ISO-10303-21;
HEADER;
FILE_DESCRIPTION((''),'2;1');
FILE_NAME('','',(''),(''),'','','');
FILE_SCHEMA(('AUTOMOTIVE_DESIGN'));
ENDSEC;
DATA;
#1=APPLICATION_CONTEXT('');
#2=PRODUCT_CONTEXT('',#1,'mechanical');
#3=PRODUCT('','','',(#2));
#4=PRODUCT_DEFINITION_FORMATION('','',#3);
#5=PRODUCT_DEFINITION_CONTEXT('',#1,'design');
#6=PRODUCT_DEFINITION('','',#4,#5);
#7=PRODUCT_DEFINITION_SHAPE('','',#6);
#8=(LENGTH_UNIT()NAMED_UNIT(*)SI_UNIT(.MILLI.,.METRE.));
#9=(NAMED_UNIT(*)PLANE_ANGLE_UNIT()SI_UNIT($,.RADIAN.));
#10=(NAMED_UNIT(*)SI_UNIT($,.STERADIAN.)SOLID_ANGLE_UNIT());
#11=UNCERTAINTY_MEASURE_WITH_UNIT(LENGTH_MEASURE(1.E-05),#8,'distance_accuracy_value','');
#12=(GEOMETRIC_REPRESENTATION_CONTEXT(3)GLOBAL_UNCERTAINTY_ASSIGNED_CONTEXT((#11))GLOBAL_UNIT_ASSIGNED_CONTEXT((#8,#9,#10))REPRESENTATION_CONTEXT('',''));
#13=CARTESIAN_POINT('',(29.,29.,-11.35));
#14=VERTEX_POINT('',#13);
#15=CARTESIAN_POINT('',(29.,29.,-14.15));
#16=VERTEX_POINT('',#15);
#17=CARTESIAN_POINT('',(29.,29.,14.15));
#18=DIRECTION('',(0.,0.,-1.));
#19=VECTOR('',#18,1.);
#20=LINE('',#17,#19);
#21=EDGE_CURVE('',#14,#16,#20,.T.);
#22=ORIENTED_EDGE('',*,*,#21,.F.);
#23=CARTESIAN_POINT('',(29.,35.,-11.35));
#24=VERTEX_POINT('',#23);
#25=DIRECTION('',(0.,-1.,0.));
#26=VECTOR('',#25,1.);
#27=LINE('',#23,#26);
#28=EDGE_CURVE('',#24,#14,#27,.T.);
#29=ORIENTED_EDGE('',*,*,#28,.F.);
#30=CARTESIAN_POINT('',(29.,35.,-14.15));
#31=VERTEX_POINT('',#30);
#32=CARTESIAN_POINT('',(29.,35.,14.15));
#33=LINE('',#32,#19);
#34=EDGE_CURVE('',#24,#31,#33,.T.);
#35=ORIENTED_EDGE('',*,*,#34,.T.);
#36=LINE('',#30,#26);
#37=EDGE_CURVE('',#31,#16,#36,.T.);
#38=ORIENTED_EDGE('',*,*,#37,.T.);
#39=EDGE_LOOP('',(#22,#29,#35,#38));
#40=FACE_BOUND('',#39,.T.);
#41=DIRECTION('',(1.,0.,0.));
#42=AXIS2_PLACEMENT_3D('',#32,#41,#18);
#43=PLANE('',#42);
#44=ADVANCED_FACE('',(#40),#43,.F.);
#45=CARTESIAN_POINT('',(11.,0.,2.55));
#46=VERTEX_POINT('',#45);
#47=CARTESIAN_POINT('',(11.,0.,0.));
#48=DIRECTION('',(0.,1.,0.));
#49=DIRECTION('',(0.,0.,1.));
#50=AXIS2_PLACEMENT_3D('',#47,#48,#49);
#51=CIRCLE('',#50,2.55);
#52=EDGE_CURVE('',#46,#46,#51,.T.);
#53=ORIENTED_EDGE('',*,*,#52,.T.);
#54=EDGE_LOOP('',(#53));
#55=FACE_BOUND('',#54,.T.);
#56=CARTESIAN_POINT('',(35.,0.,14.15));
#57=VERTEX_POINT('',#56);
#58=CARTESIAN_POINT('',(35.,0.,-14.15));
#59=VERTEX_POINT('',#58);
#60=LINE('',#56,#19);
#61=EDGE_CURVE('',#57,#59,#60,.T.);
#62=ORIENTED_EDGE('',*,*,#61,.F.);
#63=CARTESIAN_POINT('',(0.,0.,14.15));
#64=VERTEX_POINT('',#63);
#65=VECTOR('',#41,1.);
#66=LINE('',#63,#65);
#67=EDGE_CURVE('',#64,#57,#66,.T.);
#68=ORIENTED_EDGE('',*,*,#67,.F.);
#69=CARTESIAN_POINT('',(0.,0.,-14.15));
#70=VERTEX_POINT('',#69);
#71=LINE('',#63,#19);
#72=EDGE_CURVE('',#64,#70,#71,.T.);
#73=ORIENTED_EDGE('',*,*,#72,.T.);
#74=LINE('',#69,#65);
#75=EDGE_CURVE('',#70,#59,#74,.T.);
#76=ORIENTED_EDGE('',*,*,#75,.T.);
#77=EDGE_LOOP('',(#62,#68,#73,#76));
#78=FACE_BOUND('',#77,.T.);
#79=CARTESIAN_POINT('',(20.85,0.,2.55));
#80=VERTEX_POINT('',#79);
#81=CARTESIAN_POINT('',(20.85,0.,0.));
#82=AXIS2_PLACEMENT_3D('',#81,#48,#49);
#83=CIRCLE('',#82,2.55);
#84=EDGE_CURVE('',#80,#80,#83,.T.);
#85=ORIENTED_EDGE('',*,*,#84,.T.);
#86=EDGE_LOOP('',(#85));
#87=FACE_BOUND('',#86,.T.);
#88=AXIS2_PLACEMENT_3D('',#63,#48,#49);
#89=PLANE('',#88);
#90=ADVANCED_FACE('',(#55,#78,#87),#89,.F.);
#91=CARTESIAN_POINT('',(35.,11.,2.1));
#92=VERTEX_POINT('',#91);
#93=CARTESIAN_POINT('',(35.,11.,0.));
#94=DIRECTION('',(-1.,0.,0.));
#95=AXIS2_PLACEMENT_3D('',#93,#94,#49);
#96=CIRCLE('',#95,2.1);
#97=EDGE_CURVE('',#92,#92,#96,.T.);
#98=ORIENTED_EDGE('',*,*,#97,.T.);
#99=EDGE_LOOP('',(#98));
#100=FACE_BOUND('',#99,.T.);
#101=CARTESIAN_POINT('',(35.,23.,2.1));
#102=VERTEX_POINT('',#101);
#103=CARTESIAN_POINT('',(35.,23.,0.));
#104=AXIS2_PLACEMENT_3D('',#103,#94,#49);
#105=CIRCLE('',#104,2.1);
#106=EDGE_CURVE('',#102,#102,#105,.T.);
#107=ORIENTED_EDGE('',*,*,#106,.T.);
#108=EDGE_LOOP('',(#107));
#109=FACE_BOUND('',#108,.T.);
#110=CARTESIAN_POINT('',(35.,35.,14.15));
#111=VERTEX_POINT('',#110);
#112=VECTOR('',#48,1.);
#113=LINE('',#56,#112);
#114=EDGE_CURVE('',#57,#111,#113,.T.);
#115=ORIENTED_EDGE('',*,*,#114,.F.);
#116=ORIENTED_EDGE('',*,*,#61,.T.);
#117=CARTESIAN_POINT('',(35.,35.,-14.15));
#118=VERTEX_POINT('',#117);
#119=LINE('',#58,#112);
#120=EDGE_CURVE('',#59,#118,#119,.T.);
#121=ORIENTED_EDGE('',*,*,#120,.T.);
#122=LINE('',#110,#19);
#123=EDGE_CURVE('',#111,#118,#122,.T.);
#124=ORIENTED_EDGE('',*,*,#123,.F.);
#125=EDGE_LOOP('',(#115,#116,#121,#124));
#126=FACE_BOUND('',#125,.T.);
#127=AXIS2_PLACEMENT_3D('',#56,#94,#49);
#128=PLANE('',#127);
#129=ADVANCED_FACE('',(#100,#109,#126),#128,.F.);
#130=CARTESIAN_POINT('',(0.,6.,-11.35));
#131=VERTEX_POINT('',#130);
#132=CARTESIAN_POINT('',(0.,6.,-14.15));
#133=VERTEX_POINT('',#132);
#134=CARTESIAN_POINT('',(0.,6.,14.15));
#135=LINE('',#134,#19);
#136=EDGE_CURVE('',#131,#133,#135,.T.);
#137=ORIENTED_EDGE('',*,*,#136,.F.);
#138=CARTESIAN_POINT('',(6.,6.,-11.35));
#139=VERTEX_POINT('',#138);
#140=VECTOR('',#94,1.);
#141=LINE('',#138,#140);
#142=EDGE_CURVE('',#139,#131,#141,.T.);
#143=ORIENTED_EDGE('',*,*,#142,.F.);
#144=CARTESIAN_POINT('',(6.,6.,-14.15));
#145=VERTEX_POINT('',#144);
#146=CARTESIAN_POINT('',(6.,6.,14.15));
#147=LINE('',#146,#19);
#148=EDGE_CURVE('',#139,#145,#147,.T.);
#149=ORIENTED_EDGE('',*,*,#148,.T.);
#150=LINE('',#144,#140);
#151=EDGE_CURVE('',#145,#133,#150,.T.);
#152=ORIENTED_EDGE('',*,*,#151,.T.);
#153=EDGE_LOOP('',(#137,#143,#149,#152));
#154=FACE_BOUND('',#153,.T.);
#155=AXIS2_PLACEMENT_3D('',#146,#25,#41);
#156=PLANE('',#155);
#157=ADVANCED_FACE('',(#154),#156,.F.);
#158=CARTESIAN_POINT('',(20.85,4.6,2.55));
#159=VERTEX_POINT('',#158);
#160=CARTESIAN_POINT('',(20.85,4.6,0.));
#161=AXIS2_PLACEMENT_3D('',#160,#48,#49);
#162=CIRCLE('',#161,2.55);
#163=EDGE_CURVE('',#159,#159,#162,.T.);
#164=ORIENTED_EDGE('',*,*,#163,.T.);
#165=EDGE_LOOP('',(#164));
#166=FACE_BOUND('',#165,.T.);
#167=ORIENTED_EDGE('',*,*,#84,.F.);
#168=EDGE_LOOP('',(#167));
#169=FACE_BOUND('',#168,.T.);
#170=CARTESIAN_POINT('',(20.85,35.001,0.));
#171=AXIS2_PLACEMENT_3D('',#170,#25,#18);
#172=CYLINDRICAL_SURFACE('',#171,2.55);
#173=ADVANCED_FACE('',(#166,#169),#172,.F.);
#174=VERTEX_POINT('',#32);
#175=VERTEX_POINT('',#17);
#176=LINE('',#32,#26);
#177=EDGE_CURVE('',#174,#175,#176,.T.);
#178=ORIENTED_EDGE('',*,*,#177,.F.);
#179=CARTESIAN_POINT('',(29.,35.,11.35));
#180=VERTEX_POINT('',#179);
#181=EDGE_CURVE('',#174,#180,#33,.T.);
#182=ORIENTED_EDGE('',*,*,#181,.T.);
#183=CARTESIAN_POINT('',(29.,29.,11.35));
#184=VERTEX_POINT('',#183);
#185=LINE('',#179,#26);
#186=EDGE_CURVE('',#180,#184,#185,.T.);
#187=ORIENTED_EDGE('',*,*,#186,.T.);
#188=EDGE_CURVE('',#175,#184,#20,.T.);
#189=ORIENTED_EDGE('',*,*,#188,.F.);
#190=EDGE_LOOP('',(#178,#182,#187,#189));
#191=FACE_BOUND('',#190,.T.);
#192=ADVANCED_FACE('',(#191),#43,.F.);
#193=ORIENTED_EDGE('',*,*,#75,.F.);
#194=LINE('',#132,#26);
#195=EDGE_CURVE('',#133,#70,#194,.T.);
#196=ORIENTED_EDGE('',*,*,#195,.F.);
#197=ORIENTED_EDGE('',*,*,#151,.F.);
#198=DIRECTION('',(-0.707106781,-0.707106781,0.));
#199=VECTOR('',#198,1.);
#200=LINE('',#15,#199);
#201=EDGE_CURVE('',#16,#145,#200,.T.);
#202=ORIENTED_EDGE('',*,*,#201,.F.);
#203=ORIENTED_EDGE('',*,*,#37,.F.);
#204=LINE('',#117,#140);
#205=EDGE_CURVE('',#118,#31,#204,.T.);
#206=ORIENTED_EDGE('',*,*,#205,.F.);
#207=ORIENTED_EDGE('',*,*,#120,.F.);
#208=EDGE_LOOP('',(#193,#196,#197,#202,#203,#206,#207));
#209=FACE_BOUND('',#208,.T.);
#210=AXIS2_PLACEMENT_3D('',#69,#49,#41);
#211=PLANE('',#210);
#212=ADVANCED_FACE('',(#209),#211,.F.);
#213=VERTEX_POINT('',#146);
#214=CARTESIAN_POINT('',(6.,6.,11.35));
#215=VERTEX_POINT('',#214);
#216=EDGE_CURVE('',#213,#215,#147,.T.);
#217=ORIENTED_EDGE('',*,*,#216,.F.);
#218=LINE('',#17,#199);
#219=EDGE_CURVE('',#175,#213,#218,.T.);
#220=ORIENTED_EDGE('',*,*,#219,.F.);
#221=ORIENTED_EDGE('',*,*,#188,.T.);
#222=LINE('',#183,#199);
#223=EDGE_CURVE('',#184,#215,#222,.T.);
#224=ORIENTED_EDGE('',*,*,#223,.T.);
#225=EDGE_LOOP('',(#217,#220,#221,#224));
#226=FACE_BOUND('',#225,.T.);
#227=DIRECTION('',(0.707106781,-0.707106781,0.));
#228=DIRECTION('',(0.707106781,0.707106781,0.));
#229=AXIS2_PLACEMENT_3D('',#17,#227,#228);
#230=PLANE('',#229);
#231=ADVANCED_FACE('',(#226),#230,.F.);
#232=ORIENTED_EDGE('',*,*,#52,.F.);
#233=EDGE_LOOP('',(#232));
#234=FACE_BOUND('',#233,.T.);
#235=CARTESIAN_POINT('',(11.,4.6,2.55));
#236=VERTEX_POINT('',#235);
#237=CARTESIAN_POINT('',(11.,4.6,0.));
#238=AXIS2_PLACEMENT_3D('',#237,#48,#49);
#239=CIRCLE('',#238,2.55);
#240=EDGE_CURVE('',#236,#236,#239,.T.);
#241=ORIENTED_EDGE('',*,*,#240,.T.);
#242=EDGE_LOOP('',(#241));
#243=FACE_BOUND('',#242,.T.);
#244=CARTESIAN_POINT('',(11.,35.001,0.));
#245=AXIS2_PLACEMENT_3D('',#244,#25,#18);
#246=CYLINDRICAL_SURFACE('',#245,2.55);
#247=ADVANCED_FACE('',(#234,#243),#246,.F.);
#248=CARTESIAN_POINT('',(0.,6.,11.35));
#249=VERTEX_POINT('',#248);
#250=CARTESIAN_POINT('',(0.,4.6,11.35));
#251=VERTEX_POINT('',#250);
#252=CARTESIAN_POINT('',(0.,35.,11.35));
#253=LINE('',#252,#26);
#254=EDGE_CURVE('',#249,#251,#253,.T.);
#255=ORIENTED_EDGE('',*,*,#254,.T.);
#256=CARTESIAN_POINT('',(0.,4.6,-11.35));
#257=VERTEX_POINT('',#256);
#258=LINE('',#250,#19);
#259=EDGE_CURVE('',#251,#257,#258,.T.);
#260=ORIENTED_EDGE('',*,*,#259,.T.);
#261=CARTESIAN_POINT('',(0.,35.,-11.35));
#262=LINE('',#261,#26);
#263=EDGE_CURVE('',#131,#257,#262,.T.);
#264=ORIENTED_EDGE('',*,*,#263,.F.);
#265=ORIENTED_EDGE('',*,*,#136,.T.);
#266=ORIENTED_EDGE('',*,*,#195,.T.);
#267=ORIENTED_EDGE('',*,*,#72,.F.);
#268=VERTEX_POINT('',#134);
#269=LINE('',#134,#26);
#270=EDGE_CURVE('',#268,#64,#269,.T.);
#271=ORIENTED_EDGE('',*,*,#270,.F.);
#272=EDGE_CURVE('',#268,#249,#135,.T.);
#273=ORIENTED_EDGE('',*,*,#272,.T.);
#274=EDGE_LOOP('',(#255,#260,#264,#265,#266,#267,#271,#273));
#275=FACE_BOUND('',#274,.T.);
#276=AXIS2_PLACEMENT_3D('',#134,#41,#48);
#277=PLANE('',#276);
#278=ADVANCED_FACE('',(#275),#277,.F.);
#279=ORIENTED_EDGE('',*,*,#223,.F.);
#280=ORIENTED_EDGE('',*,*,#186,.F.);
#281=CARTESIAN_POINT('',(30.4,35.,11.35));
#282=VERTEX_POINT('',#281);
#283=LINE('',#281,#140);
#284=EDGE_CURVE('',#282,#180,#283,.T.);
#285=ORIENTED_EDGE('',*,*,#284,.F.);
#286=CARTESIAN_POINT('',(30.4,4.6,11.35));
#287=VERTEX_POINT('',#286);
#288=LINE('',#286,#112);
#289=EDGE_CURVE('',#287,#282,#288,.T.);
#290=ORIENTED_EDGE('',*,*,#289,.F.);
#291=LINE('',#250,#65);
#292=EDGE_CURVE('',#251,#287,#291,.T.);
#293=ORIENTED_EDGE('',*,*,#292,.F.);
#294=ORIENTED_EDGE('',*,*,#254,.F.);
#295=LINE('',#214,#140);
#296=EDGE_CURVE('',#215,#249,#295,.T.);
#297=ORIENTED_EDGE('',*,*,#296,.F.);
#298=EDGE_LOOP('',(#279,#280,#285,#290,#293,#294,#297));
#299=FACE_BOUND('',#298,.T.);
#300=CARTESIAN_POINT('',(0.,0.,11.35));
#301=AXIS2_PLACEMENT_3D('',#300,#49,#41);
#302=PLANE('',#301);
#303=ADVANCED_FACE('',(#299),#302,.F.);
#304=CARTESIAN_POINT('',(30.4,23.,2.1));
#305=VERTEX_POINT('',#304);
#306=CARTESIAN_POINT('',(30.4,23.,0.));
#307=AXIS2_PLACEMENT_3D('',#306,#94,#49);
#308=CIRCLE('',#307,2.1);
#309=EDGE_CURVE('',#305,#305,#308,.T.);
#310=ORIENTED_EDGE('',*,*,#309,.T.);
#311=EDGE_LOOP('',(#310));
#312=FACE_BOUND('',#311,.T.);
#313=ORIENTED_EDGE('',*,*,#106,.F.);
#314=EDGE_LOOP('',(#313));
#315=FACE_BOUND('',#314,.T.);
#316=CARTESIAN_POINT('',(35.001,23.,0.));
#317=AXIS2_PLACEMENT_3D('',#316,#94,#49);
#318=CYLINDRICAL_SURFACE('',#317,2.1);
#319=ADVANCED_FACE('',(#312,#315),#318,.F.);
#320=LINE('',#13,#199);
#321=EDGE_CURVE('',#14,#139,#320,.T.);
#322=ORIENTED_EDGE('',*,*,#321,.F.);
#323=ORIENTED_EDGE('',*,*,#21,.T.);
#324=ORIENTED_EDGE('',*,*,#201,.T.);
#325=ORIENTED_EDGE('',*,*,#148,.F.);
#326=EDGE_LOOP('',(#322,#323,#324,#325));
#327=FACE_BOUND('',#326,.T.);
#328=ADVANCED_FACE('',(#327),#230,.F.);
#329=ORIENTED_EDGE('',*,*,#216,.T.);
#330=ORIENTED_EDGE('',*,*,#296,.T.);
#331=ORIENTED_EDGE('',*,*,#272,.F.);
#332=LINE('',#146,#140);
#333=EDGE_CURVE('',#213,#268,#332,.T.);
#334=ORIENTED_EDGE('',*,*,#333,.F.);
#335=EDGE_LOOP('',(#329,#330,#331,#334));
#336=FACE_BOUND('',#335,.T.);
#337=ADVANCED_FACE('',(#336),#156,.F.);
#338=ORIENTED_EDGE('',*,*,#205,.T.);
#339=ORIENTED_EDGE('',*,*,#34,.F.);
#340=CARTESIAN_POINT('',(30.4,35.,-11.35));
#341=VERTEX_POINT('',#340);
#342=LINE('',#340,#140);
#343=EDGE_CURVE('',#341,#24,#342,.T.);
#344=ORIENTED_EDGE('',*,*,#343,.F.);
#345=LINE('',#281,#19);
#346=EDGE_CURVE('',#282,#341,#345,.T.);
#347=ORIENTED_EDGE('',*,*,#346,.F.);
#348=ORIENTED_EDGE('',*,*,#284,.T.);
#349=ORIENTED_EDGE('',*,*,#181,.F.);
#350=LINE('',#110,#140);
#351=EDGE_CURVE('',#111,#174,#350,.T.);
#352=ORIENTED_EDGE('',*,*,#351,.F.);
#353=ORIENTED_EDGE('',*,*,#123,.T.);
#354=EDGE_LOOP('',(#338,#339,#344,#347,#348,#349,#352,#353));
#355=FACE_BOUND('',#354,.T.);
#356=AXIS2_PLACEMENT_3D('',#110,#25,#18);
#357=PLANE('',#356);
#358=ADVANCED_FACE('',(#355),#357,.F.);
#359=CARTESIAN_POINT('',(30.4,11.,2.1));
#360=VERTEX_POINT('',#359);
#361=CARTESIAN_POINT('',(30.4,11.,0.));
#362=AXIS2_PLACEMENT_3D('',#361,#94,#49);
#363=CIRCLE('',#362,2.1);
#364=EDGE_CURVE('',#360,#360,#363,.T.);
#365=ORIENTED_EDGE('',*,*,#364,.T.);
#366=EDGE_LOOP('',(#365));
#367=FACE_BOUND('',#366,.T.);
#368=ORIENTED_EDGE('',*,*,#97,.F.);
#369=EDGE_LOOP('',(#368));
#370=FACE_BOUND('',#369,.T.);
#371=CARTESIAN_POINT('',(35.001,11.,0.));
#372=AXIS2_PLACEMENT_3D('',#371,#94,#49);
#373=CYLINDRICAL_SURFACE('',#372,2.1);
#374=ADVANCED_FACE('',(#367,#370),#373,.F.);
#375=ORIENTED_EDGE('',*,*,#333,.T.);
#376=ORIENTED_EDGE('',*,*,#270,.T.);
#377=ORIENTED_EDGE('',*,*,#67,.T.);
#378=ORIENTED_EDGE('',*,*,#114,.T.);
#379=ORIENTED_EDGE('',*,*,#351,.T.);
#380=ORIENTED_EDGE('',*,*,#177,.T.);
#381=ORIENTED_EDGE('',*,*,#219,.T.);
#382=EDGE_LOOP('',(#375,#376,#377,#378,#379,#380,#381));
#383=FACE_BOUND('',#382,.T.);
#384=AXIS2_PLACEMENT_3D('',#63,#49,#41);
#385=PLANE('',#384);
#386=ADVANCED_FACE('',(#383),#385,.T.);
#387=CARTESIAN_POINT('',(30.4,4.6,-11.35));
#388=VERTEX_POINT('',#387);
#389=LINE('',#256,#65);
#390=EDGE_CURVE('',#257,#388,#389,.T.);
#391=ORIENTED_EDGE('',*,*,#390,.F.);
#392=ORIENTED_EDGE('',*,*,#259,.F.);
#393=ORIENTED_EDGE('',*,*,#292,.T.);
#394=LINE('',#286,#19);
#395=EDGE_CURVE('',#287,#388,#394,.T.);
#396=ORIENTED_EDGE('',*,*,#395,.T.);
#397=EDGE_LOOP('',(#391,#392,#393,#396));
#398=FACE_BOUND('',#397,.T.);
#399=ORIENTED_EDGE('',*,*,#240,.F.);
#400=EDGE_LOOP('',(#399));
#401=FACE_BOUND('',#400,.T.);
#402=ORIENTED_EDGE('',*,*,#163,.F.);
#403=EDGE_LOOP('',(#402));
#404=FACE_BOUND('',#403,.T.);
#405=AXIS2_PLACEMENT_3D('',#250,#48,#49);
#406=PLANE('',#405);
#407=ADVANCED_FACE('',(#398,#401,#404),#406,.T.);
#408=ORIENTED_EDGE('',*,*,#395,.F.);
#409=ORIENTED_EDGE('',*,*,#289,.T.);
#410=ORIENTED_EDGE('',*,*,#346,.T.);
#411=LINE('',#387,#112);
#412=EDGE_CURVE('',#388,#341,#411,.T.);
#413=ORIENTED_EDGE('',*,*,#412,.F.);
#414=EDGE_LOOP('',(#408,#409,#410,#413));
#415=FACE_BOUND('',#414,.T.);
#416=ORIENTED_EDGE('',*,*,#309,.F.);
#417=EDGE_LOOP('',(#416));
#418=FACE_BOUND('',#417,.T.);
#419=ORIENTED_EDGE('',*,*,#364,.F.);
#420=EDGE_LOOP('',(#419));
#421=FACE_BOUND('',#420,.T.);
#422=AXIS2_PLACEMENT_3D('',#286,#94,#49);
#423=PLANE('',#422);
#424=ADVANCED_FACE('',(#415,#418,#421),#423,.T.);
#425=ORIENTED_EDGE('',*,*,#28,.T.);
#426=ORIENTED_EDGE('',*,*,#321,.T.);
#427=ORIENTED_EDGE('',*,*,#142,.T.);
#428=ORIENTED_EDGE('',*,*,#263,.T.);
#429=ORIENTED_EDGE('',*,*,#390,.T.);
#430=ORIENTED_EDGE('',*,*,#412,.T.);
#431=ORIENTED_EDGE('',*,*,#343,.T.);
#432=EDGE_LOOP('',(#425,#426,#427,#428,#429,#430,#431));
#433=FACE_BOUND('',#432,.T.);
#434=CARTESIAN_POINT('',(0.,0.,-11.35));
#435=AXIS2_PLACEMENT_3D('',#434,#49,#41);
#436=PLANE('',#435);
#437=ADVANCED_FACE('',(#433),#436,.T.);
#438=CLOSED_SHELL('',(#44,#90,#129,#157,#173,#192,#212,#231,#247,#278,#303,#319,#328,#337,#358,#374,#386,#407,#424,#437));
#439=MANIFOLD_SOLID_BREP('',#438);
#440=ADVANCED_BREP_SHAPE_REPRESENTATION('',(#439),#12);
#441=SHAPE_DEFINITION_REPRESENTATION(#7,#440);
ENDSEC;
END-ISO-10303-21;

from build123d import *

# Parameters (mm, degrees)
EXTRUDE_1_DEPTH     = 14.15
SKETCH_2_W          = 30.4
SKETCH_2_H          = 30.4
CUT_EXTRUDE_1_DEPTH = 11.35
CUT_EXTRUDE_2_REACH = 53.48
SKETCH_4_R          = 2.55
CUT_EXTRUDE_3_REACH = 53.48
SKETCH_5_R          = 2.1


with BuildPart() as part:
    # 草图1 → 凸台-拉伸1 (new, symmetric)
    with BuildSketch(Plane.XY):
        Polygon((0, 0), (35, 0), (35, 35), (29, 35), (29, 29), (6, 6), (0, 6), align=None)
    extrude(amount=EXTRUDE_1_DEPTH, both=True)

    # 草图2 → 切除-拉伸1 (cut, symmetric)
    with BuildSketch(Plane.XY):
        with Locations((15.2, 19.8)):
            Rectangle(SKETCH_2_W, SKETCH_2_H)
    extrude(amount=CUT_EXTRUDE_1_DEPTH, both=True, mode=Mode.SUBTRACT)

    # 草图4 → 切除-拉伸2 (cut, up to next)
    with BuildSketch(Plane(origin=(0, 0, 0), x_dir=(1, 0, 0), z_dir=(0, 1, 0)), mode=Mode.PRIVATE) as cut_extrude_2_sk1:
        with Locations(Location((20.85, 0, 0), (0, 0, 270))):
            Circle(SKETCH_4_R)
    cut_extrude_2_tool1 = extrude(cut_extrude_2_sk1.sketch, amount=CUT_EXTRUDE_2_REACH, mode=Mode.PRIVATE) & part.part
    # 草图4 → 切除-拉伸2 (cut, up to next)
    with BuildSketch(Plane(origin=(0, 0, 0), x_dir=(1, 0, 0), z_dir=(0, 1, 0)), mode=Mode.PRIVATE) as cut_extrude_2_sk2:
        with Locations(Location((11, 0, 0), (0, 0, 270))):
            Circle(SKETCH_4_R)
    cut_extrude_2_tool2 = extrude(cut_extrude_2_sk2.sketch, amount=CUT_EXTRUDE_2_REACH, mode=Mode.PRIVATE) & part.part
    add(cut_extrude_2_tool1.solids().sort_by_distance((20.85, 0, 0))[0], mode=Mode.SUBTRACT)
    add(cut_extrude_2_tool2.solids().sort_by_distance((11, 0, 0))[0], mode=Mode.SUBTRACT)

    # 草图5 → 切除-拉伸3 (cut, up to next)
    with BuildSketch(Plane(origin=(0, 0, 0), x_dir=(0, 0, -1), z_dir=(1, 0, 0)), mode=Mode.PRIVATE) as cut_extrude_3_sk1:
        with Locations(Location((0, 23, 0), (0, 0, 180))):
            Circle(SKETCH_5_R)
    cut_extrude_3_tool1 = extrude(cut_extrude_3_sk1.sketch, amount=CUT_EXTRUDE_3_REACH, mode=Mode.PRIVATE) & part.part
    # 草图5 → 切除-拉伸3 (cut, up to next)
    with BuildSketch(Plane(origin=(0, 0, 0), x_dir=(0, 0, -1), z_dir=(1, 0, 0)), mode=Mode.PRIVATE) as cut_extrude_3_sk2:
        with Locations(Location((0, 11, 0), (0, 0, 180))):
            Circle(SKETCH_5_R)
    cut_extrude_3_tool2 = extrude(cut_extrude_3_sk2.sketch, amount=CUT_EXTRUDE_3_REACH, mode=Mode.PRIVATE) & part.part
    add(cut_extrude_3_tool1.solids().sort_by_distance((0, 23, 0))[0], mode=Mode.SUBTRACT)
    add(cut_extrude_3_tool2.solids().sort_by_distance((0, 11, 0))[0], mode=Mode.SUBTRACT)


solid = part.part
